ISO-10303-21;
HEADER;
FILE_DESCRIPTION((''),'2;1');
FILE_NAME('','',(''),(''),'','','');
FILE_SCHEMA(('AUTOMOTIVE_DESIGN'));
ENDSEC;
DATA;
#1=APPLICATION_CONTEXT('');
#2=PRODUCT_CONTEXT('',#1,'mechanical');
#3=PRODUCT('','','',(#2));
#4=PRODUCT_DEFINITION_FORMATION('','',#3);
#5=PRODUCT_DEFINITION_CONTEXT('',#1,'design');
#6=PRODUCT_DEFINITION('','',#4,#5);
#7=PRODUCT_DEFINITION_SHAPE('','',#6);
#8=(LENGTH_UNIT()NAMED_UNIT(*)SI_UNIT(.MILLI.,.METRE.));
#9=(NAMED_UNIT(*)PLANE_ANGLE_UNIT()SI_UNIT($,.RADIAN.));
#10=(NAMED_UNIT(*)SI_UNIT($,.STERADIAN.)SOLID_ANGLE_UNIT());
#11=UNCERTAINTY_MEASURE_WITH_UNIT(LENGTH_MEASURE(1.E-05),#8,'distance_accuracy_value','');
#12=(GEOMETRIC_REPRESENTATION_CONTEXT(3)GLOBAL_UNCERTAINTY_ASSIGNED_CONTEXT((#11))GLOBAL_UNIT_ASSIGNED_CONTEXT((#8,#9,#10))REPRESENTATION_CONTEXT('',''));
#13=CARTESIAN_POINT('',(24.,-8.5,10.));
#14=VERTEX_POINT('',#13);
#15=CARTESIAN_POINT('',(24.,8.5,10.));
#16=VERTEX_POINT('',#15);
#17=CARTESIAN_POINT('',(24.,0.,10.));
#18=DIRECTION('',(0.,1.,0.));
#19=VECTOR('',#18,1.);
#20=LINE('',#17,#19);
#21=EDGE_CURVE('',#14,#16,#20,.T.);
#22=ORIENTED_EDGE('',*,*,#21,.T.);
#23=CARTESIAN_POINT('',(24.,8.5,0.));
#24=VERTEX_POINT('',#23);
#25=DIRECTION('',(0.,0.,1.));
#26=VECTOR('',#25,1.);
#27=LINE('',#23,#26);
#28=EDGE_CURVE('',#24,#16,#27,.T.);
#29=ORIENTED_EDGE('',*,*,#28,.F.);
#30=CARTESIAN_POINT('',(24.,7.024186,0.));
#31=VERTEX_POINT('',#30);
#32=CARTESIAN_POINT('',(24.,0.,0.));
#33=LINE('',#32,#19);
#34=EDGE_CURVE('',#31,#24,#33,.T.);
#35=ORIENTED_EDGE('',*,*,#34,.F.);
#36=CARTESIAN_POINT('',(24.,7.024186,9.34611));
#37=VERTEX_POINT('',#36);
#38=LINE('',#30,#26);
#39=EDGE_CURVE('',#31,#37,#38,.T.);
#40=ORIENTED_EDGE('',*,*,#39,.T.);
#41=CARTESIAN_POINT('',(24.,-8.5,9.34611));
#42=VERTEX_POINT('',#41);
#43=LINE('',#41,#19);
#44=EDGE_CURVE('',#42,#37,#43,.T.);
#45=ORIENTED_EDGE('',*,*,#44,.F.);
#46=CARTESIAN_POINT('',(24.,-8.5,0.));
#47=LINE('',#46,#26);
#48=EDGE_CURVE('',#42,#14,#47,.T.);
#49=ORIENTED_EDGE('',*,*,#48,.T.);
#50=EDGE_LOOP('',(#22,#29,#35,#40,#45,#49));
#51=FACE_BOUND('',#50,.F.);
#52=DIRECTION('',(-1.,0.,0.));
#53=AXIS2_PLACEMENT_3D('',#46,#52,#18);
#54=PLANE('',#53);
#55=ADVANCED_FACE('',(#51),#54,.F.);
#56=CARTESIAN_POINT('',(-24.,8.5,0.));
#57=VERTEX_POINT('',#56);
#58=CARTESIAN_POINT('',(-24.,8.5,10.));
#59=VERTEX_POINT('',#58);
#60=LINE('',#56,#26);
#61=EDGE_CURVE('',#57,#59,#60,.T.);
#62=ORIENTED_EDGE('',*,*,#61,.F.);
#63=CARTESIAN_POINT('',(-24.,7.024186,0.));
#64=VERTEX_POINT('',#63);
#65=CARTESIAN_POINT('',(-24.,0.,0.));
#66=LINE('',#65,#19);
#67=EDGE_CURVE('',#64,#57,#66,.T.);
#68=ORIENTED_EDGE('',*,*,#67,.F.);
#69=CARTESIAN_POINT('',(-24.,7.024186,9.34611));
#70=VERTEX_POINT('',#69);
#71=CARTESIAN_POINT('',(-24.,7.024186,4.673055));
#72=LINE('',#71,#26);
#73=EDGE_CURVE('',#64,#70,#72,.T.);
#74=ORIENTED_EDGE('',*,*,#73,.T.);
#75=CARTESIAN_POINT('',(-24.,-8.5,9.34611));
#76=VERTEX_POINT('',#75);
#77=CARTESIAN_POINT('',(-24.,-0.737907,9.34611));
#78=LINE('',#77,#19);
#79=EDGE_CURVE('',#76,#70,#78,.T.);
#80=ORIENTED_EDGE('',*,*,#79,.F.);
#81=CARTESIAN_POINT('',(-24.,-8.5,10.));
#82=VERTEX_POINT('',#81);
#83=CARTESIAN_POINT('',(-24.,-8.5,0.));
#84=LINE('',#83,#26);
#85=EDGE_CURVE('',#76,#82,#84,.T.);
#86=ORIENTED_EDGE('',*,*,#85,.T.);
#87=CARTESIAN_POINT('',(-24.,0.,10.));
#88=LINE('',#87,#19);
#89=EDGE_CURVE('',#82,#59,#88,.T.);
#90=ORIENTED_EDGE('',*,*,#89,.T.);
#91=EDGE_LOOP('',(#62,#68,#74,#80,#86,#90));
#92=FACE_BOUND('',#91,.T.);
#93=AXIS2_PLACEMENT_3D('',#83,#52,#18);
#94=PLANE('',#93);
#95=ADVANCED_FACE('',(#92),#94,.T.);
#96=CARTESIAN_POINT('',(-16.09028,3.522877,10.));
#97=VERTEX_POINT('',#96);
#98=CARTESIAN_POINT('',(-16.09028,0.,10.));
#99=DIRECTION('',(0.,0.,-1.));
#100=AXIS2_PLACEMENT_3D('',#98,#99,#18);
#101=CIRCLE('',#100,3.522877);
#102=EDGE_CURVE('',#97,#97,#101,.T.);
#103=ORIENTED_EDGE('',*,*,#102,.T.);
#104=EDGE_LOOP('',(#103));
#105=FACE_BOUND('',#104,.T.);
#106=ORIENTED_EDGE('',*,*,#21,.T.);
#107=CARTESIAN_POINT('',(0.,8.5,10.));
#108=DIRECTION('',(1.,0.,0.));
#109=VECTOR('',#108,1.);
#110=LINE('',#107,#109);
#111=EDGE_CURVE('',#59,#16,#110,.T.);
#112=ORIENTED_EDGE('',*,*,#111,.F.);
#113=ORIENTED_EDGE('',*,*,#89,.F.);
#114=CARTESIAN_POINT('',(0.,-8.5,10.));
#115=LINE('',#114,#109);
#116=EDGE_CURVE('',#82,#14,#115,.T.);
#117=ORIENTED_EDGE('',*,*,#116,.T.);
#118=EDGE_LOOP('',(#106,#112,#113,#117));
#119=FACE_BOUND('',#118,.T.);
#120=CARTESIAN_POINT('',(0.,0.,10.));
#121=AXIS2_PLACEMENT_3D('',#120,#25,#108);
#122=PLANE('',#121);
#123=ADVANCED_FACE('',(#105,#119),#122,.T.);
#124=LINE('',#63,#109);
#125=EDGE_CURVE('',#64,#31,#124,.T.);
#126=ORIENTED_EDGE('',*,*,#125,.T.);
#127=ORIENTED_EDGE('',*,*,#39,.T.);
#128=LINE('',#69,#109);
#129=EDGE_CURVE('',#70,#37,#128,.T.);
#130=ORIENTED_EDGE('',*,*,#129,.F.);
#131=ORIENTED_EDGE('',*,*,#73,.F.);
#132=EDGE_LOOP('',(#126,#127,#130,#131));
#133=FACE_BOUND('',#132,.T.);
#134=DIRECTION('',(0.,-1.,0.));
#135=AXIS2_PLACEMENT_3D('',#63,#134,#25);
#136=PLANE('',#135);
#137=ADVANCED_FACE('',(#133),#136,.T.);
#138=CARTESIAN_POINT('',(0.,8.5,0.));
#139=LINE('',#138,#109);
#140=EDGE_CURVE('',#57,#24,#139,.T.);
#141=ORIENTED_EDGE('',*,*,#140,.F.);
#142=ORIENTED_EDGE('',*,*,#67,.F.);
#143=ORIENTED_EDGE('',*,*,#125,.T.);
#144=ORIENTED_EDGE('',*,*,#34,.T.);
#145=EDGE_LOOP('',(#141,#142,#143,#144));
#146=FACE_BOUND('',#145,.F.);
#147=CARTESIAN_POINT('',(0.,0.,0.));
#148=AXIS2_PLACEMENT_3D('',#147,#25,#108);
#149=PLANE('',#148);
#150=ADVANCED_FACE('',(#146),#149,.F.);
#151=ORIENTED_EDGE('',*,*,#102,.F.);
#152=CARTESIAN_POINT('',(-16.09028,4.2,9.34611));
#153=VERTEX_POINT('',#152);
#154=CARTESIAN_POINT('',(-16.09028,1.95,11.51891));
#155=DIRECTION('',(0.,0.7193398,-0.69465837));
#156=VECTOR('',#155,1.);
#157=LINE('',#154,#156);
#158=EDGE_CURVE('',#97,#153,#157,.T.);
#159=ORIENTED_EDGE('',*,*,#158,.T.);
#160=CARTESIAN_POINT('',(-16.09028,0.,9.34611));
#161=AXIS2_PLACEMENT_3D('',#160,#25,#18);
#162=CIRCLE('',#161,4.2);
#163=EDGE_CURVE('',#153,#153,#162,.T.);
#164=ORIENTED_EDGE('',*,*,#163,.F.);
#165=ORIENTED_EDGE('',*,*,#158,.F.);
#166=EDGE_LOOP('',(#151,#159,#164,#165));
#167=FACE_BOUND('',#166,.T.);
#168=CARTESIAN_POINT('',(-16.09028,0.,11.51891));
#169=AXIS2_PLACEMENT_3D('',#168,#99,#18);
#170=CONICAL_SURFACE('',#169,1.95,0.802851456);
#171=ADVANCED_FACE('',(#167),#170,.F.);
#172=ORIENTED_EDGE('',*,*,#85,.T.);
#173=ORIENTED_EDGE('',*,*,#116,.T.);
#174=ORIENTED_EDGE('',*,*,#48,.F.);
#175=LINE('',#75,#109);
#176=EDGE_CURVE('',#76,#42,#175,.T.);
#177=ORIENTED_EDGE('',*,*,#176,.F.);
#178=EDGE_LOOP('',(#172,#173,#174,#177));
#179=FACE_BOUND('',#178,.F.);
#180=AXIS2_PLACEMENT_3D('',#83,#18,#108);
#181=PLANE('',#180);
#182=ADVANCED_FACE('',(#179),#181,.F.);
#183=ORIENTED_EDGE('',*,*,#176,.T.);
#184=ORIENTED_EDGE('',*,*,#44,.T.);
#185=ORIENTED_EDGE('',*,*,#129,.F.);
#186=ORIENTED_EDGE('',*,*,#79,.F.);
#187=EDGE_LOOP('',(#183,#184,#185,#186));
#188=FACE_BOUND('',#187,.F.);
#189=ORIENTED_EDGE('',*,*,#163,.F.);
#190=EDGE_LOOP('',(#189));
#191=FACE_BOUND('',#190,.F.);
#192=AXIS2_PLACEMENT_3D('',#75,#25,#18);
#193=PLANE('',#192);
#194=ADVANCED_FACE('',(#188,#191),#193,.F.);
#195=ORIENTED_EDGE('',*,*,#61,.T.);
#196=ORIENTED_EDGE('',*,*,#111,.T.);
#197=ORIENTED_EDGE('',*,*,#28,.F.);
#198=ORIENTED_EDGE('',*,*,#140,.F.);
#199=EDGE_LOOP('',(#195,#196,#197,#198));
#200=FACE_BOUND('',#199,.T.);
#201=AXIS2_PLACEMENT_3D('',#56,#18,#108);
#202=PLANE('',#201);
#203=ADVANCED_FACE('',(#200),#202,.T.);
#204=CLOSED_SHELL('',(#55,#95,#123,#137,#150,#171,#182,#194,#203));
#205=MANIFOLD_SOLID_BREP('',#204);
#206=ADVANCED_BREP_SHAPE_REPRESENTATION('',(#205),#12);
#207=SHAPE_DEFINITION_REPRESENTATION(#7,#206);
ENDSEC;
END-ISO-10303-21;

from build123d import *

# Parameters (mm, degrees)
CROQUIS1_W              = 48
CROQUIS1_H              = 17
SALIENTE_EXTRUIR1_DEPTH = 10
CROQUIS7_W              = 9.346110156
CROQUIS7_H              = 15.524186193
CORTAR_EXTRUIR1_DEPTH   = 49


with BuildPart() as part:
    # Croquis1 → Saliente-Extruir1 (new body)
    with BuildSketch(Plane.XY):
        Rectangle(CROQUIS1_W, CROQUIS1_H)
    extrude(amount=SALIENTE_EXTRUIR1_DEPTH)

    # Croquis7 → Cortar-Extruir1 (cut, through all)
    with BuildSketch(Plane.ZY.offset(24)):
        with Locations((4.673055078, -0.737906903)):
            Rectangle(CROQUIS7_W, CROQUIS7_H)
    extrude(amount=-CORTAR_EXTRUIR1_DEPTH, mode=Mode.SUBTRACT)

    # Croquis10 → Taladro de margen para M3.51 (revolve, cut)
    with BuildSketch(Plane(origin=(-16.090280194, 0, 9.346110156), x_dir=(0, 1, 0), z_dir=(1, 0, 0))):
        Polygon((0, 0), (0, 0.653889844), (1.95, 0.653889844), (1.95, 2.172799743), (4.2, 0), align=None)
    revolve(axis=Axis((-16.090280194, 0, 2.996110156), (0, 0, 1)), mode=Mode.SUBTRACT)


solid = part.part
